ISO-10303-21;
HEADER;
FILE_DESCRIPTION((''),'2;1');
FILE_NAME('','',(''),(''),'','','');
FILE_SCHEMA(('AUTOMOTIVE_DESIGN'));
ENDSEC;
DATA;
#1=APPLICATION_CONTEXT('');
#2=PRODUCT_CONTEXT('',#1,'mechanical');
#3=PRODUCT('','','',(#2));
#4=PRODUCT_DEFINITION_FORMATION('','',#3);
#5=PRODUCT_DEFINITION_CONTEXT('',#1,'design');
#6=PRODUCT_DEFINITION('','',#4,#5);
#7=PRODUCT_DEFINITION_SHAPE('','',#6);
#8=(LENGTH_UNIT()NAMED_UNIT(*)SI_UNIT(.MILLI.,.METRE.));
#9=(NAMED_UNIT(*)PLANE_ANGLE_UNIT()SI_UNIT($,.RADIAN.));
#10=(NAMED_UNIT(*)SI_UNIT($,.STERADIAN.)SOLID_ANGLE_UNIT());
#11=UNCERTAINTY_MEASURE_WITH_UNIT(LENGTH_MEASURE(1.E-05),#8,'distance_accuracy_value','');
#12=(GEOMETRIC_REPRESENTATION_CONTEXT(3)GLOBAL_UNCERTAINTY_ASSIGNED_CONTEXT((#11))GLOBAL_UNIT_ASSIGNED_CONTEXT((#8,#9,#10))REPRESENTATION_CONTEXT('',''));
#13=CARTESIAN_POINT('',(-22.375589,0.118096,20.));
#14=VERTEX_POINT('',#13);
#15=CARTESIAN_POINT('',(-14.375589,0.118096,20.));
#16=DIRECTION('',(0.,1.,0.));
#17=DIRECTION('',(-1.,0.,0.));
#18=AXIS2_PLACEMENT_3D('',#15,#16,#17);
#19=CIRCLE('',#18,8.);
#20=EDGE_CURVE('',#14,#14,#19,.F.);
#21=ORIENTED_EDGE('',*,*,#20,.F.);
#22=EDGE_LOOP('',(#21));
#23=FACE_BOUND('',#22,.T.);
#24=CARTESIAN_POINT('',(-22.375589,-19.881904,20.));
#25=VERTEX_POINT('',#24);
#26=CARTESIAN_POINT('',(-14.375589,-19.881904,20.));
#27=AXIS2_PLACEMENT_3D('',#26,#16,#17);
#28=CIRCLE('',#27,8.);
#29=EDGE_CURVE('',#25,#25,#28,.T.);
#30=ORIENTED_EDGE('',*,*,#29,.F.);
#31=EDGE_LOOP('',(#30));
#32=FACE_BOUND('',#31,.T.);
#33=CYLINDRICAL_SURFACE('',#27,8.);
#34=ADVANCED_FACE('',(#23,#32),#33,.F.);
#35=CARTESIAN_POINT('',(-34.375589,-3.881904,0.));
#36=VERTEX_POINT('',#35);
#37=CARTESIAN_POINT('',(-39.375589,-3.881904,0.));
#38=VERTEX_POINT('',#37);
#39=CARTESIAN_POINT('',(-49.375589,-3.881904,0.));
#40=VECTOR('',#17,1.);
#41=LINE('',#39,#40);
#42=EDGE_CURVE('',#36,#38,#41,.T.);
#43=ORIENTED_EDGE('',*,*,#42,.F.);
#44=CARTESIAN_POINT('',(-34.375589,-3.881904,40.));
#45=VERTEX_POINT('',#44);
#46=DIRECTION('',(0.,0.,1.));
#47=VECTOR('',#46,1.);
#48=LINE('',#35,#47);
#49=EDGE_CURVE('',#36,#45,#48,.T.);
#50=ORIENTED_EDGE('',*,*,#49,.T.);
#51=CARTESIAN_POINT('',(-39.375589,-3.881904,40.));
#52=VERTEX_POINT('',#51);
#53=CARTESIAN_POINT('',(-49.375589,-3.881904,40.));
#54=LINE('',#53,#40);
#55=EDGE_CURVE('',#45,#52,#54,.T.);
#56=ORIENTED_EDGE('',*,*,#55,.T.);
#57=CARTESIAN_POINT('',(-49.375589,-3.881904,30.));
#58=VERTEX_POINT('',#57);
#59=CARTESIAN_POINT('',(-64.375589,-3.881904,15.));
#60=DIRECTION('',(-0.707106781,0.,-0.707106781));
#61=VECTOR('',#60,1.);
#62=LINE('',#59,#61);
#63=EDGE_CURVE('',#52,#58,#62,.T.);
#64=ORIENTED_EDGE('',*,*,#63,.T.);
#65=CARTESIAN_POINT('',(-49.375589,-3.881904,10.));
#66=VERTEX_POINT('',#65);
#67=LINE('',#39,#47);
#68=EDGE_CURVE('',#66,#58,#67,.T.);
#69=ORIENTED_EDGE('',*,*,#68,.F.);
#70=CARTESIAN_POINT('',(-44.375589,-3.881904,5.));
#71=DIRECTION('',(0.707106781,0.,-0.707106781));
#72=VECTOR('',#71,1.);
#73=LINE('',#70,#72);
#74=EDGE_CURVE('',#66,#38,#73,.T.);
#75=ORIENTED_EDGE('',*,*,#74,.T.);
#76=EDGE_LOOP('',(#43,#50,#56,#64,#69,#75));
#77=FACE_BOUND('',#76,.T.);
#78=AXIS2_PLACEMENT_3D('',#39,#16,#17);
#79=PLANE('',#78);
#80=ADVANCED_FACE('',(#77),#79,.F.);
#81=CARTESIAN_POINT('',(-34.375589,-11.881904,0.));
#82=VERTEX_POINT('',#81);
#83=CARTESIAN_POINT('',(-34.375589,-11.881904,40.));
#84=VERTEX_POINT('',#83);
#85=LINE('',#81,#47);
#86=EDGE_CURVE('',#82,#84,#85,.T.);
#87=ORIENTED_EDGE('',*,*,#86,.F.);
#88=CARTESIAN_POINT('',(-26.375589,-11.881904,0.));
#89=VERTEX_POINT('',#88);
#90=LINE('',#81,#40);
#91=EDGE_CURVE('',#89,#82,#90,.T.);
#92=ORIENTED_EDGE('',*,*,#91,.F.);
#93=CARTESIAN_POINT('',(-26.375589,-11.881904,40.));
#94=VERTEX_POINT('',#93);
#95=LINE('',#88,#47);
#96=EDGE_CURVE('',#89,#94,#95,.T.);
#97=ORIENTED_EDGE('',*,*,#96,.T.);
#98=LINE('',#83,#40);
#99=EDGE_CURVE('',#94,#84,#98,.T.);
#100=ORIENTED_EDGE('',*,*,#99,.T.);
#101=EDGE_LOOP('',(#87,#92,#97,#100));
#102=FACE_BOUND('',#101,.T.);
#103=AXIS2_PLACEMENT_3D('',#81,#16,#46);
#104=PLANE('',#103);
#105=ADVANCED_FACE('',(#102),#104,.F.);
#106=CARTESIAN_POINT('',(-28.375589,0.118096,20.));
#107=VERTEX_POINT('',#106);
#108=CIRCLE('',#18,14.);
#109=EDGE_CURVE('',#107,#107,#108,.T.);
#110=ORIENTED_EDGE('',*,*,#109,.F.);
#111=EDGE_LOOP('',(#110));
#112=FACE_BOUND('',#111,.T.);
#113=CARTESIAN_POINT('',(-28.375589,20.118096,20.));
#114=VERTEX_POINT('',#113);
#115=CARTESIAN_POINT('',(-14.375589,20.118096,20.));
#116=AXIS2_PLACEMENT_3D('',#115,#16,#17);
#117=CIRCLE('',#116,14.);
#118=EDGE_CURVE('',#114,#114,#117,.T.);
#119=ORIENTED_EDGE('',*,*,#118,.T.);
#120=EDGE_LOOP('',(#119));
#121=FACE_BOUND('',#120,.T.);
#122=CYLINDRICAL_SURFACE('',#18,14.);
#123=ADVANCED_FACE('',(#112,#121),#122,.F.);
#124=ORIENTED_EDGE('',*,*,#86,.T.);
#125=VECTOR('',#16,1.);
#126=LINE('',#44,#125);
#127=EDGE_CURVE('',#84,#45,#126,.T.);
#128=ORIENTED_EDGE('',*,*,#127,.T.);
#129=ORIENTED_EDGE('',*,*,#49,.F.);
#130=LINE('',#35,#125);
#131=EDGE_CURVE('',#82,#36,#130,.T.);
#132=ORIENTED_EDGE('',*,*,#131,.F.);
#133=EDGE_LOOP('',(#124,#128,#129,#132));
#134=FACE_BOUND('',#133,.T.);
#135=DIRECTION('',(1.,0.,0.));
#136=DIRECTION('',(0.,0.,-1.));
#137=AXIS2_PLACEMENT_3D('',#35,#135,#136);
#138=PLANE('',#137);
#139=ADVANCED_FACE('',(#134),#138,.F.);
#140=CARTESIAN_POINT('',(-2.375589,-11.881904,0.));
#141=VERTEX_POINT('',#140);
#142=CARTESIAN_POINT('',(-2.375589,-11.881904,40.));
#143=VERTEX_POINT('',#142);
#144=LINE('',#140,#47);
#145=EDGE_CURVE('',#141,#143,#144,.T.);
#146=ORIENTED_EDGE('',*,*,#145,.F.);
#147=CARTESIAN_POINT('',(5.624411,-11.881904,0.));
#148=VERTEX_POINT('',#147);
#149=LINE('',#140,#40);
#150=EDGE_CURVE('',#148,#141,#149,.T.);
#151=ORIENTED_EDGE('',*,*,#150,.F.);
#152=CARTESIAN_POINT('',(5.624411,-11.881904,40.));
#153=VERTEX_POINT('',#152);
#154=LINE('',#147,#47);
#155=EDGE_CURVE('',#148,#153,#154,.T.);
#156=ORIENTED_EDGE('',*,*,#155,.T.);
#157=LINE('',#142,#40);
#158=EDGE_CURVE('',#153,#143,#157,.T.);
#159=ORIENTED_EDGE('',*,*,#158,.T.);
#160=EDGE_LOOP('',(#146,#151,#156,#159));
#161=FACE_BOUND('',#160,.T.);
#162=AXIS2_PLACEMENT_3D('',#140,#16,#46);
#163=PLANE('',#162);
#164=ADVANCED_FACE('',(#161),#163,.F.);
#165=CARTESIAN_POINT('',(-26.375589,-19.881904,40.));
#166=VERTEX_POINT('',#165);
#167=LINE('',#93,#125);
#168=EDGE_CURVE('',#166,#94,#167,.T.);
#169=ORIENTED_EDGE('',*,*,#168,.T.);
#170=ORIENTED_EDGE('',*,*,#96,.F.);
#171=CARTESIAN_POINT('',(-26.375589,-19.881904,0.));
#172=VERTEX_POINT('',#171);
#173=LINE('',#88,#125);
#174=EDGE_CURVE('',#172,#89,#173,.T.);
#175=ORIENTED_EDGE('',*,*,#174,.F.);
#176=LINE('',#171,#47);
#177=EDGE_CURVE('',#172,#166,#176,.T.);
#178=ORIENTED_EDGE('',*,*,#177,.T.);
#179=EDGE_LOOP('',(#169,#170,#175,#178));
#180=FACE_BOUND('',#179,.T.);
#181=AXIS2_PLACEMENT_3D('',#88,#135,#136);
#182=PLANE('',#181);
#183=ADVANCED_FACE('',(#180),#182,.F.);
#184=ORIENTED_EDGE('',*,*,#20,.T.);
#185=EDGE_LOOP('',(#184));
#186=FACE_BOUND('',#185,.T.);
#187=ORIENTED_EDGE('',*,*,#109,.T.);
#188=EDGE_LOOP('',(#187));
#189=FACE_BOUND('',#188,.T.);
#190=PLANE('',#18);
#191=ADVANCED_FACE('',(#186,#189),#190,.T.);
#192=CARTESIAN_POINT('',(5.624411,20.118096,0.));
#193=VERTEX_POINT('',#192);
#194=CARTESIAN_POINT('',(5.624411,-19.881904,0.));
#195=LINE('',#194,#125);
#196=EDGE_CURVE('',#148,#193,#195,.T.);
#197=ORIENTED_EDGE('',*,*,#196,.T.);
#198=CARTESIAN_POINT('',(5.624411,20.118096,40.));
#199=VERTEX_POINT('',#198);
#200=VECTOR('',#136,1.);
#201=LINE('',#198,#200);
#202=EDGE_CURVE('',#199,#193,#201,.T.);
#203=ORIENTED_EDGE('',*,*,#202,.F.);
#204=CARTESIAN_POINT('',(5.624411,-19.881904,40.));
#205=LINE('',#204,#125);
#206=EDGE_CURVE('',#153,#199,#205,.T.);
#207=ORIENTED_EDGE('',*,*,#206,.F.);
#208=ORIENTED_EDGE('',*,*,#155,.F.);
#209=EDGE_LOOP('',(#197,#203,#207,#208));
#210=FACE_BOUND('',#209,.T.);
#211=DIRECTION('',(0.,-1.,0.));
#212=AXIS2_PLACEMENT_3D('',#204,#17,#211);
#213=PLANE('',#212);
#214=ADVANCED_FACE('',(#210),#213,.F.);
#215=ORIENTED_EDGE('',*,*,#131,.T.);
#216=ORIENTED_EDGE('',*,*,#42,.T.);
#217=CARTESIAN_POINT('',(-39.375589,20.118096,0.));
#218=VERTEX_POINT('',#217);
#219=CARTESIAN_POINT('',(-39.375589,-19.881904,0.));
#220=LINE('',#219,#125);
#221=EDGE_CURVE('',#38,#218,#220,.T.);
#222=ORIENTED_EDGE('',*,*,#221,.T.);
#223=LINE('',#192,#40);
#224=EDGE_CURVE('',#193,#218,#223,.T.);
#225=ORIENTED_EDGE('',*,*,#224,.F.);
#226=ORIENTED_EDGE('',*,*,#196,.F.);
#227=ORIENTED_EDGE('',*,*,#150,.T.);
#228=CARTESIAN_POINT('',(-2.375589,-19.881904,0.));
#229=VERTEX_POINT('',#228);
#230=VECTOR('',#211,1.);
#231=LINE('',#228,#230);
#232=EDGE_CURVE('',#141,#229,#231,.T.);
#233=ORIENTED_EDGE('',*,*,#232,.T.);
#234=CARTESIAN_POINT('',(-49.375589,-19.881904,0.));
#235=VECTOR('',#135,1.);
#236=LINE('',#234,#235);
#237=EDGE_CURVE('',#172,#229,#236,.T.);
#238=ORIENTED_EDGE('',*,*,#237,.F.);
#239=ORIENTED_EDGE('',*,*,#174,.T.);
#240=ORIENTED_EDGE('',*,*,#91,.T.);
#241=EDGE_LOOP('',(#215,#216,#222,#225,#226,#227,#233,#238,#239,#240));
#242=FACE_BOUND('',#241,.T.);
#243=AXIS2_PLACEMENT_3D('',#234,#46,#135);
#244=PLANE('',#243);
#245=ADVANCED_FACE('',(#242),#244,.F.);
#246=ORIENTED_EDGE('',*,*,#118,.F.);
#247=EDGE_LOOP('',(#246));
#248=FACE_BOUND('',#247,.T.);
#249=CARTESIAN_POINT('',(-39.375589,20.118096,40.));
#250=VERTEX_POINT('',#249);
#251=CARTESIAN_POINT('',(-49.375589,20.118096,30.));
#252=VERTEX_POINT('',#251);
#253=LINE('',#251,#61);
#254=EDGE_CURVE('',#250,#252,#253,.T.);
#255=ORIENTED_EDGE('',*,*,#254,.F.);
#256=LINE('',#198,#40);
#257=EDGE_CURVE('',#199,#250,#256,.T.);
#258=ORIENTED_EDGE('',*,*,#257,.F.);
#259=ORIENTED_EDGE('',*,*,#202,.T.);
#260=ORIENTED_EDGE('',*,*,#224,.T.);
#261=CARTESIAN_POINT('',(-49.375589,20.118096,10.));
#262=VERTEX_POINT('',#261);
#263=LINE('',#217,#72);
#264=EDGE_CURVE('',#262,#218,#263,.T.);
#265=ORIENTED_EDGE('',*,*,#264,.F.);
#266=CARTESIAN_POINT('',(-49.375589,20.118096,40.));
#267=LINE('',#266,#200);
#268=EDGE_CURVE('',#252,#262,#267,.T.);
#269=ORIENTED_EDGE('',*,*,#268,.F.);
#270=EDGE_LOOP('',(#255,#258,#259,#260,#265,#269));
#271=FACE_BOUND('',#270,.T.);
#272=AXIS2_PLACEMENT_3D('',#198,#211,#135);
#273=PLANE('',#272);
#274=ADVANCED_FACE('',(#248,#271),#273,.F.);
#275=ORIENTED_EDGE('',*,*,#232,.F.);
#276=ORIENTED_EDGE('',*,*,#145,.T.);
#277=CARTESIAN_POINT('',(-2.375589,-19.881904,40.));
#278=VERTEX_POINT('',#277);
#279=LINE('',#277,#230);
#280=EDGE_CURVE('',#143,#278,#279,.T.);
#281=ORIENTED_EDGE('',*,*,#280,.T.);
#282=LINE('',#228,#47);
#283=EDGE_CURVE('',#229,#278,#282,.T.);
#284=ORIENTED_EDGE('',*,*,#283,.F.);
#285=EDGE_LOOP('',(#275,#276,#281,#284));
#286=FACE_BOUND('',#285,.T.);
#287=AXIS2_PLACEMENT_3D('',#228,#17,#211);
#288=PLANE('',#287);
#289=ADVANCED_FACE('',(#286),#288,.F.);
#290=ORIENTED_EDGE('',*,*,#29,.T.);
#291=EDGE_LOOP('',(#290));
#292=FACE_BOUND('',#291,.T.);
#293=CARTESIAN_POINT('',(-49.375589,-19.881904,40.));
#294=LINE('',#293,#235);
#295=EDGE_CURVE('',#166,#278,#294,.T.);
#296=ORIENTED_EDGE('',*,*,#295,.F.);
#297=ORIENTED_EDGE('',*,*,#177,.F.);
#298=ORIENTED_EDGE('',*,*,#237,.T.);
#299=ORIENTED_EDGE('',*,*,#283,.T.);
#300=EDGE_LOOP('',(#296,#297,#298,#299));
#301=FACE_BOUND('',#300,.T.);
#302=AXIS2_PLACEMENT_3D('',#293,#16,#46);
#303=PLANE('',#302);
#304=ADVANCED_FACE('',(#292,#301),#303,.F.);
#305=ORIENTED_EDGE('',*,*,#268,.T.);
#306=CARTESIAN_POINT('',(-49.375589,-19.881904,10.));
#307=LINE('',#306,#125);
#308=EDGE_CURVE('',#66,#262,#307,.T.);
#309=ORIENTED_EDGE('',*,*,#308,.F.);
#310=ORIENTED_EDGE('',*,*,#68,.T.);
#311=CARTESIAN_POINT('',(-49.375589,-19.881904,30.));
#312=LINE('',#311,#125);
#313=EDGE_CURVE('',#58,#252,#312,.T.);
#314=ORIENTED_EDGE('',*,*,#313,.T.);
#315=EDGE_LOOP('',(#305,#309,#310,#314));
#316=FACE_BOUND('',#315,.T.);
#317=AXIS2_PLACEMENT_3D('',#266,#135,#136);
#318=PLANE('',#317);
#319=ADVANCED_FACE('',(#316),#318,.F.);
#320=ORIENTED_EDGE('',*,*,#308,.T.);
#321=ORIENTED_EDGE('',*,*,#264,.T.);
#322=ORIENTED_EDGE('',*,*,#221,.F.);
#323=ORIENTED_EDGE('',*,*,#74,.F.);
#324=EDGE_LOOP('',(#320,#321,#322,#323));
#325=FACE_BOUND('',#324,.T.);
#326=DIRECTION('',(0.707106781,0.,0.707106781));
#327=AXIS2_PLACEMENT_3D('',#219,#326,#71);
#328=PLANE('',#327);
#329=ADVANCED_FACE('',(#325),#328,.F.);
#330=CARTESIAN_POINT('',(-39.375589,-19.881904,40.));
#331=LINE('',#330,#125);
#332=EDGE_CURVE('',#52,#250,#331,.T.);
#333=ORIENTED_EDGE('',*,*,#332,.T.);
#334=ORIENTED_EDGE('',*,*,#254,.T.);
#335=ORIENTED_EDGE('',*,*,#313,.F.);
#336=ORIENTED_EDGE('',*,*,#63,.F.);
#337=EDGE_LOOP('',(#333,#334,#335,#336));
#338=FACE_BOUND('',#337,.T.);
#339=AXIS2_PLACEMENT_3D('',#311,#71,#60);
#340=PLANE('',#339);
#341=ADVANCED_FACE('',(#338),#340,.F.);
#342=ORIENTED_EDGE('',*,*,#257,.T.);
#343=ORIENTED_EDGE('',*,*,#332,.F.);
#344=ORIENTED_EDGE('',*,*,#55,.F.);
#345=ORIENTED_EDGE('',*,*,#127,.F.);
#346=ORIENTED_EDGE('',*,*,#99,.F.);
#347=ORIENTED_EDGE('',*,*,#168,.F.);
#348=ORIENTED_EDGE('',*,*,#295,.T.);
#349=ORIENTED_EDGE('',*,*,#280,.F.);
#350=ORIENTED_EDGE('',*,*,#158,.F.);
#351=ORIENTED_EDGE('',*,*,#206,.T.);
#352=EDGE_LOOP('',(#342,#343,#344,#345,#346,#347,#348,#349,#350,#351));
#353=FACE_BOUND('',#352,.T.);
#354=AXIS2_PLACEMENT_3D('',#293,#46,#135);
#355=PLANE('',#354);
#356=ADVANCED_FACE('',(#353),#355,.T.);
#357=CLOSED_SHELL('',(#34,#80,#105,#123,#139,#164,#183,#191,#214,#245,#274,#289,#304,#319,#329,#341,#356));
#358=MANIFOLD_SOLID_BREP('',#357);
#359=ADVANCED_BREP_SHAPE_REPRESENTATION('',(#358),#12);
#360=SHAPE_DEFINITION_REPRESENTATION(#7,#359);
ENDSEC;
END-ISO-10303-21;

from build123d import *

# Parameters (mm, degrees)
ESQUISSE1_W             = 55
ESQUISSE1_H             = 40
EXTRUSION1_DEPTH        = 40
ESQUISSE2_W             = 8
ESQUISSE2_H             = 8
ENL_V_MAT_EXTRU_1_DEPTH = 41
ENL_V_MAT_EXTRU_2_DEPTH = 40
ENL_V_MAT_EXTRU_3_DEPTH = 40
ENL_V_MAT_EXTRU_4_DEPTH = 40
ESQUISSE6_R             = 8
ENL_V_MAT_EXTRU_5_DEPTH = 41
ESQUISSE7_R             = 14
ENL_V_MAT_EXTRU_6_DEPTH = 20


with BuildPart() as part:
    # Esquisse1 → Extrusion1 (new body)
    with BuildSketch(Plane.XY):
        with Locations((-21.875589067, 0.118096136)):
            Rectangle(ESQUISSE1_W, ESQUISSE1_H)
    extrude(amount=EXTRUSION1_DEPTH)

    # Esquisse2 → Enlèv. mat.-Extru.1 (cut, through all)
    with BuildSketch(Plane.XY.offset(40)):
        with Locations((1.624410933, -15.881903864)):
            Rectangle(ESQUISSE2_W, ESQUISSE2_H)
    extrude(amount=-ENL_V_MAT_EXTRU_1_DEPTH, mode=Mode.SUBTRACT)

    # Esquisse3 → Enlèv. mat.-Extru.2 (cut)
    with BuildSketch(Plane.XY.offset(40)):
        Polygon((-49.375589067, -3.881903864), (-34.375589067, -3.881903864), (-34.375589067, -11.881903864), (-26.375589067, -11.881903864), (-26.375589067, -19.881903864), (-49.375589067, -19.881903864), align=None)
    extrude(amount=-ENL_V_MAT_EXTRU_2_DEPTH, mode=Mode.SUBTRACT)

    # Esquisse4 → Enlèv. mat.-Extru.3 (cut)
    with BuildSketch(Plane(origin=(0, 20.118096136, 0), x_dir=(-1, 0, 0), z_dir=(0, 1, 0))):
        Polygon((49.375589067, 0), (39.375589067, 0), (49.375589067, 10), align=None)
    extrude(amount=-ENL_V_MAT_EXTRU_3_DEPTH, mode=Mode.SUBTRACT)

    # Esquisse5 → Enlèv. mat.-Extru.4 (cut)
    with BuildSketch(Plane(origin=(0, 20.118096136, 0), x_dir=(-1, 0, 0), z_dir=(0, 1, 0))):
        Polygon((49.375589067, 30), (39.375589067, 40), (49.375589067, 40), align=None)
    extrude(amount=-ENL_V_MAT_EXTRU_4_DEPTH, mode=Mode.SUBTRACT)

    # Esquisse6 → Enlèv. mat.-Extru.5 (cut, through all)
    with BuildSketch(Plane(origin=(0, 20.118096136, 0), x_dir=(-1, 0, 0), z_dir=(0, 1, 0))):
        with Locations((14.375589067, 20)):
            Circle(ESQUISSE6_R)
    extrude(amount=-ENL_V_MAT_EXTRU_5_DEPTH, mode=Mode.SUBTRACT)

    # Esquisse7 → Enlèv. mat.-Extru.6 (cut)
    with BuildSketch(Plane(origin=(0, 20.118096136, 0), x_dir=(-1, 0, 0), z_dir=(0, 1, 0))):
        with Locations((14.375589067, 20)):
            Circle(ESQUISSE7_R)
    extrude(amount=-ENL_V_MAT_EXTRU_6_DEPTH, mode=Mode.SUBTRACT)


solid = part.part
